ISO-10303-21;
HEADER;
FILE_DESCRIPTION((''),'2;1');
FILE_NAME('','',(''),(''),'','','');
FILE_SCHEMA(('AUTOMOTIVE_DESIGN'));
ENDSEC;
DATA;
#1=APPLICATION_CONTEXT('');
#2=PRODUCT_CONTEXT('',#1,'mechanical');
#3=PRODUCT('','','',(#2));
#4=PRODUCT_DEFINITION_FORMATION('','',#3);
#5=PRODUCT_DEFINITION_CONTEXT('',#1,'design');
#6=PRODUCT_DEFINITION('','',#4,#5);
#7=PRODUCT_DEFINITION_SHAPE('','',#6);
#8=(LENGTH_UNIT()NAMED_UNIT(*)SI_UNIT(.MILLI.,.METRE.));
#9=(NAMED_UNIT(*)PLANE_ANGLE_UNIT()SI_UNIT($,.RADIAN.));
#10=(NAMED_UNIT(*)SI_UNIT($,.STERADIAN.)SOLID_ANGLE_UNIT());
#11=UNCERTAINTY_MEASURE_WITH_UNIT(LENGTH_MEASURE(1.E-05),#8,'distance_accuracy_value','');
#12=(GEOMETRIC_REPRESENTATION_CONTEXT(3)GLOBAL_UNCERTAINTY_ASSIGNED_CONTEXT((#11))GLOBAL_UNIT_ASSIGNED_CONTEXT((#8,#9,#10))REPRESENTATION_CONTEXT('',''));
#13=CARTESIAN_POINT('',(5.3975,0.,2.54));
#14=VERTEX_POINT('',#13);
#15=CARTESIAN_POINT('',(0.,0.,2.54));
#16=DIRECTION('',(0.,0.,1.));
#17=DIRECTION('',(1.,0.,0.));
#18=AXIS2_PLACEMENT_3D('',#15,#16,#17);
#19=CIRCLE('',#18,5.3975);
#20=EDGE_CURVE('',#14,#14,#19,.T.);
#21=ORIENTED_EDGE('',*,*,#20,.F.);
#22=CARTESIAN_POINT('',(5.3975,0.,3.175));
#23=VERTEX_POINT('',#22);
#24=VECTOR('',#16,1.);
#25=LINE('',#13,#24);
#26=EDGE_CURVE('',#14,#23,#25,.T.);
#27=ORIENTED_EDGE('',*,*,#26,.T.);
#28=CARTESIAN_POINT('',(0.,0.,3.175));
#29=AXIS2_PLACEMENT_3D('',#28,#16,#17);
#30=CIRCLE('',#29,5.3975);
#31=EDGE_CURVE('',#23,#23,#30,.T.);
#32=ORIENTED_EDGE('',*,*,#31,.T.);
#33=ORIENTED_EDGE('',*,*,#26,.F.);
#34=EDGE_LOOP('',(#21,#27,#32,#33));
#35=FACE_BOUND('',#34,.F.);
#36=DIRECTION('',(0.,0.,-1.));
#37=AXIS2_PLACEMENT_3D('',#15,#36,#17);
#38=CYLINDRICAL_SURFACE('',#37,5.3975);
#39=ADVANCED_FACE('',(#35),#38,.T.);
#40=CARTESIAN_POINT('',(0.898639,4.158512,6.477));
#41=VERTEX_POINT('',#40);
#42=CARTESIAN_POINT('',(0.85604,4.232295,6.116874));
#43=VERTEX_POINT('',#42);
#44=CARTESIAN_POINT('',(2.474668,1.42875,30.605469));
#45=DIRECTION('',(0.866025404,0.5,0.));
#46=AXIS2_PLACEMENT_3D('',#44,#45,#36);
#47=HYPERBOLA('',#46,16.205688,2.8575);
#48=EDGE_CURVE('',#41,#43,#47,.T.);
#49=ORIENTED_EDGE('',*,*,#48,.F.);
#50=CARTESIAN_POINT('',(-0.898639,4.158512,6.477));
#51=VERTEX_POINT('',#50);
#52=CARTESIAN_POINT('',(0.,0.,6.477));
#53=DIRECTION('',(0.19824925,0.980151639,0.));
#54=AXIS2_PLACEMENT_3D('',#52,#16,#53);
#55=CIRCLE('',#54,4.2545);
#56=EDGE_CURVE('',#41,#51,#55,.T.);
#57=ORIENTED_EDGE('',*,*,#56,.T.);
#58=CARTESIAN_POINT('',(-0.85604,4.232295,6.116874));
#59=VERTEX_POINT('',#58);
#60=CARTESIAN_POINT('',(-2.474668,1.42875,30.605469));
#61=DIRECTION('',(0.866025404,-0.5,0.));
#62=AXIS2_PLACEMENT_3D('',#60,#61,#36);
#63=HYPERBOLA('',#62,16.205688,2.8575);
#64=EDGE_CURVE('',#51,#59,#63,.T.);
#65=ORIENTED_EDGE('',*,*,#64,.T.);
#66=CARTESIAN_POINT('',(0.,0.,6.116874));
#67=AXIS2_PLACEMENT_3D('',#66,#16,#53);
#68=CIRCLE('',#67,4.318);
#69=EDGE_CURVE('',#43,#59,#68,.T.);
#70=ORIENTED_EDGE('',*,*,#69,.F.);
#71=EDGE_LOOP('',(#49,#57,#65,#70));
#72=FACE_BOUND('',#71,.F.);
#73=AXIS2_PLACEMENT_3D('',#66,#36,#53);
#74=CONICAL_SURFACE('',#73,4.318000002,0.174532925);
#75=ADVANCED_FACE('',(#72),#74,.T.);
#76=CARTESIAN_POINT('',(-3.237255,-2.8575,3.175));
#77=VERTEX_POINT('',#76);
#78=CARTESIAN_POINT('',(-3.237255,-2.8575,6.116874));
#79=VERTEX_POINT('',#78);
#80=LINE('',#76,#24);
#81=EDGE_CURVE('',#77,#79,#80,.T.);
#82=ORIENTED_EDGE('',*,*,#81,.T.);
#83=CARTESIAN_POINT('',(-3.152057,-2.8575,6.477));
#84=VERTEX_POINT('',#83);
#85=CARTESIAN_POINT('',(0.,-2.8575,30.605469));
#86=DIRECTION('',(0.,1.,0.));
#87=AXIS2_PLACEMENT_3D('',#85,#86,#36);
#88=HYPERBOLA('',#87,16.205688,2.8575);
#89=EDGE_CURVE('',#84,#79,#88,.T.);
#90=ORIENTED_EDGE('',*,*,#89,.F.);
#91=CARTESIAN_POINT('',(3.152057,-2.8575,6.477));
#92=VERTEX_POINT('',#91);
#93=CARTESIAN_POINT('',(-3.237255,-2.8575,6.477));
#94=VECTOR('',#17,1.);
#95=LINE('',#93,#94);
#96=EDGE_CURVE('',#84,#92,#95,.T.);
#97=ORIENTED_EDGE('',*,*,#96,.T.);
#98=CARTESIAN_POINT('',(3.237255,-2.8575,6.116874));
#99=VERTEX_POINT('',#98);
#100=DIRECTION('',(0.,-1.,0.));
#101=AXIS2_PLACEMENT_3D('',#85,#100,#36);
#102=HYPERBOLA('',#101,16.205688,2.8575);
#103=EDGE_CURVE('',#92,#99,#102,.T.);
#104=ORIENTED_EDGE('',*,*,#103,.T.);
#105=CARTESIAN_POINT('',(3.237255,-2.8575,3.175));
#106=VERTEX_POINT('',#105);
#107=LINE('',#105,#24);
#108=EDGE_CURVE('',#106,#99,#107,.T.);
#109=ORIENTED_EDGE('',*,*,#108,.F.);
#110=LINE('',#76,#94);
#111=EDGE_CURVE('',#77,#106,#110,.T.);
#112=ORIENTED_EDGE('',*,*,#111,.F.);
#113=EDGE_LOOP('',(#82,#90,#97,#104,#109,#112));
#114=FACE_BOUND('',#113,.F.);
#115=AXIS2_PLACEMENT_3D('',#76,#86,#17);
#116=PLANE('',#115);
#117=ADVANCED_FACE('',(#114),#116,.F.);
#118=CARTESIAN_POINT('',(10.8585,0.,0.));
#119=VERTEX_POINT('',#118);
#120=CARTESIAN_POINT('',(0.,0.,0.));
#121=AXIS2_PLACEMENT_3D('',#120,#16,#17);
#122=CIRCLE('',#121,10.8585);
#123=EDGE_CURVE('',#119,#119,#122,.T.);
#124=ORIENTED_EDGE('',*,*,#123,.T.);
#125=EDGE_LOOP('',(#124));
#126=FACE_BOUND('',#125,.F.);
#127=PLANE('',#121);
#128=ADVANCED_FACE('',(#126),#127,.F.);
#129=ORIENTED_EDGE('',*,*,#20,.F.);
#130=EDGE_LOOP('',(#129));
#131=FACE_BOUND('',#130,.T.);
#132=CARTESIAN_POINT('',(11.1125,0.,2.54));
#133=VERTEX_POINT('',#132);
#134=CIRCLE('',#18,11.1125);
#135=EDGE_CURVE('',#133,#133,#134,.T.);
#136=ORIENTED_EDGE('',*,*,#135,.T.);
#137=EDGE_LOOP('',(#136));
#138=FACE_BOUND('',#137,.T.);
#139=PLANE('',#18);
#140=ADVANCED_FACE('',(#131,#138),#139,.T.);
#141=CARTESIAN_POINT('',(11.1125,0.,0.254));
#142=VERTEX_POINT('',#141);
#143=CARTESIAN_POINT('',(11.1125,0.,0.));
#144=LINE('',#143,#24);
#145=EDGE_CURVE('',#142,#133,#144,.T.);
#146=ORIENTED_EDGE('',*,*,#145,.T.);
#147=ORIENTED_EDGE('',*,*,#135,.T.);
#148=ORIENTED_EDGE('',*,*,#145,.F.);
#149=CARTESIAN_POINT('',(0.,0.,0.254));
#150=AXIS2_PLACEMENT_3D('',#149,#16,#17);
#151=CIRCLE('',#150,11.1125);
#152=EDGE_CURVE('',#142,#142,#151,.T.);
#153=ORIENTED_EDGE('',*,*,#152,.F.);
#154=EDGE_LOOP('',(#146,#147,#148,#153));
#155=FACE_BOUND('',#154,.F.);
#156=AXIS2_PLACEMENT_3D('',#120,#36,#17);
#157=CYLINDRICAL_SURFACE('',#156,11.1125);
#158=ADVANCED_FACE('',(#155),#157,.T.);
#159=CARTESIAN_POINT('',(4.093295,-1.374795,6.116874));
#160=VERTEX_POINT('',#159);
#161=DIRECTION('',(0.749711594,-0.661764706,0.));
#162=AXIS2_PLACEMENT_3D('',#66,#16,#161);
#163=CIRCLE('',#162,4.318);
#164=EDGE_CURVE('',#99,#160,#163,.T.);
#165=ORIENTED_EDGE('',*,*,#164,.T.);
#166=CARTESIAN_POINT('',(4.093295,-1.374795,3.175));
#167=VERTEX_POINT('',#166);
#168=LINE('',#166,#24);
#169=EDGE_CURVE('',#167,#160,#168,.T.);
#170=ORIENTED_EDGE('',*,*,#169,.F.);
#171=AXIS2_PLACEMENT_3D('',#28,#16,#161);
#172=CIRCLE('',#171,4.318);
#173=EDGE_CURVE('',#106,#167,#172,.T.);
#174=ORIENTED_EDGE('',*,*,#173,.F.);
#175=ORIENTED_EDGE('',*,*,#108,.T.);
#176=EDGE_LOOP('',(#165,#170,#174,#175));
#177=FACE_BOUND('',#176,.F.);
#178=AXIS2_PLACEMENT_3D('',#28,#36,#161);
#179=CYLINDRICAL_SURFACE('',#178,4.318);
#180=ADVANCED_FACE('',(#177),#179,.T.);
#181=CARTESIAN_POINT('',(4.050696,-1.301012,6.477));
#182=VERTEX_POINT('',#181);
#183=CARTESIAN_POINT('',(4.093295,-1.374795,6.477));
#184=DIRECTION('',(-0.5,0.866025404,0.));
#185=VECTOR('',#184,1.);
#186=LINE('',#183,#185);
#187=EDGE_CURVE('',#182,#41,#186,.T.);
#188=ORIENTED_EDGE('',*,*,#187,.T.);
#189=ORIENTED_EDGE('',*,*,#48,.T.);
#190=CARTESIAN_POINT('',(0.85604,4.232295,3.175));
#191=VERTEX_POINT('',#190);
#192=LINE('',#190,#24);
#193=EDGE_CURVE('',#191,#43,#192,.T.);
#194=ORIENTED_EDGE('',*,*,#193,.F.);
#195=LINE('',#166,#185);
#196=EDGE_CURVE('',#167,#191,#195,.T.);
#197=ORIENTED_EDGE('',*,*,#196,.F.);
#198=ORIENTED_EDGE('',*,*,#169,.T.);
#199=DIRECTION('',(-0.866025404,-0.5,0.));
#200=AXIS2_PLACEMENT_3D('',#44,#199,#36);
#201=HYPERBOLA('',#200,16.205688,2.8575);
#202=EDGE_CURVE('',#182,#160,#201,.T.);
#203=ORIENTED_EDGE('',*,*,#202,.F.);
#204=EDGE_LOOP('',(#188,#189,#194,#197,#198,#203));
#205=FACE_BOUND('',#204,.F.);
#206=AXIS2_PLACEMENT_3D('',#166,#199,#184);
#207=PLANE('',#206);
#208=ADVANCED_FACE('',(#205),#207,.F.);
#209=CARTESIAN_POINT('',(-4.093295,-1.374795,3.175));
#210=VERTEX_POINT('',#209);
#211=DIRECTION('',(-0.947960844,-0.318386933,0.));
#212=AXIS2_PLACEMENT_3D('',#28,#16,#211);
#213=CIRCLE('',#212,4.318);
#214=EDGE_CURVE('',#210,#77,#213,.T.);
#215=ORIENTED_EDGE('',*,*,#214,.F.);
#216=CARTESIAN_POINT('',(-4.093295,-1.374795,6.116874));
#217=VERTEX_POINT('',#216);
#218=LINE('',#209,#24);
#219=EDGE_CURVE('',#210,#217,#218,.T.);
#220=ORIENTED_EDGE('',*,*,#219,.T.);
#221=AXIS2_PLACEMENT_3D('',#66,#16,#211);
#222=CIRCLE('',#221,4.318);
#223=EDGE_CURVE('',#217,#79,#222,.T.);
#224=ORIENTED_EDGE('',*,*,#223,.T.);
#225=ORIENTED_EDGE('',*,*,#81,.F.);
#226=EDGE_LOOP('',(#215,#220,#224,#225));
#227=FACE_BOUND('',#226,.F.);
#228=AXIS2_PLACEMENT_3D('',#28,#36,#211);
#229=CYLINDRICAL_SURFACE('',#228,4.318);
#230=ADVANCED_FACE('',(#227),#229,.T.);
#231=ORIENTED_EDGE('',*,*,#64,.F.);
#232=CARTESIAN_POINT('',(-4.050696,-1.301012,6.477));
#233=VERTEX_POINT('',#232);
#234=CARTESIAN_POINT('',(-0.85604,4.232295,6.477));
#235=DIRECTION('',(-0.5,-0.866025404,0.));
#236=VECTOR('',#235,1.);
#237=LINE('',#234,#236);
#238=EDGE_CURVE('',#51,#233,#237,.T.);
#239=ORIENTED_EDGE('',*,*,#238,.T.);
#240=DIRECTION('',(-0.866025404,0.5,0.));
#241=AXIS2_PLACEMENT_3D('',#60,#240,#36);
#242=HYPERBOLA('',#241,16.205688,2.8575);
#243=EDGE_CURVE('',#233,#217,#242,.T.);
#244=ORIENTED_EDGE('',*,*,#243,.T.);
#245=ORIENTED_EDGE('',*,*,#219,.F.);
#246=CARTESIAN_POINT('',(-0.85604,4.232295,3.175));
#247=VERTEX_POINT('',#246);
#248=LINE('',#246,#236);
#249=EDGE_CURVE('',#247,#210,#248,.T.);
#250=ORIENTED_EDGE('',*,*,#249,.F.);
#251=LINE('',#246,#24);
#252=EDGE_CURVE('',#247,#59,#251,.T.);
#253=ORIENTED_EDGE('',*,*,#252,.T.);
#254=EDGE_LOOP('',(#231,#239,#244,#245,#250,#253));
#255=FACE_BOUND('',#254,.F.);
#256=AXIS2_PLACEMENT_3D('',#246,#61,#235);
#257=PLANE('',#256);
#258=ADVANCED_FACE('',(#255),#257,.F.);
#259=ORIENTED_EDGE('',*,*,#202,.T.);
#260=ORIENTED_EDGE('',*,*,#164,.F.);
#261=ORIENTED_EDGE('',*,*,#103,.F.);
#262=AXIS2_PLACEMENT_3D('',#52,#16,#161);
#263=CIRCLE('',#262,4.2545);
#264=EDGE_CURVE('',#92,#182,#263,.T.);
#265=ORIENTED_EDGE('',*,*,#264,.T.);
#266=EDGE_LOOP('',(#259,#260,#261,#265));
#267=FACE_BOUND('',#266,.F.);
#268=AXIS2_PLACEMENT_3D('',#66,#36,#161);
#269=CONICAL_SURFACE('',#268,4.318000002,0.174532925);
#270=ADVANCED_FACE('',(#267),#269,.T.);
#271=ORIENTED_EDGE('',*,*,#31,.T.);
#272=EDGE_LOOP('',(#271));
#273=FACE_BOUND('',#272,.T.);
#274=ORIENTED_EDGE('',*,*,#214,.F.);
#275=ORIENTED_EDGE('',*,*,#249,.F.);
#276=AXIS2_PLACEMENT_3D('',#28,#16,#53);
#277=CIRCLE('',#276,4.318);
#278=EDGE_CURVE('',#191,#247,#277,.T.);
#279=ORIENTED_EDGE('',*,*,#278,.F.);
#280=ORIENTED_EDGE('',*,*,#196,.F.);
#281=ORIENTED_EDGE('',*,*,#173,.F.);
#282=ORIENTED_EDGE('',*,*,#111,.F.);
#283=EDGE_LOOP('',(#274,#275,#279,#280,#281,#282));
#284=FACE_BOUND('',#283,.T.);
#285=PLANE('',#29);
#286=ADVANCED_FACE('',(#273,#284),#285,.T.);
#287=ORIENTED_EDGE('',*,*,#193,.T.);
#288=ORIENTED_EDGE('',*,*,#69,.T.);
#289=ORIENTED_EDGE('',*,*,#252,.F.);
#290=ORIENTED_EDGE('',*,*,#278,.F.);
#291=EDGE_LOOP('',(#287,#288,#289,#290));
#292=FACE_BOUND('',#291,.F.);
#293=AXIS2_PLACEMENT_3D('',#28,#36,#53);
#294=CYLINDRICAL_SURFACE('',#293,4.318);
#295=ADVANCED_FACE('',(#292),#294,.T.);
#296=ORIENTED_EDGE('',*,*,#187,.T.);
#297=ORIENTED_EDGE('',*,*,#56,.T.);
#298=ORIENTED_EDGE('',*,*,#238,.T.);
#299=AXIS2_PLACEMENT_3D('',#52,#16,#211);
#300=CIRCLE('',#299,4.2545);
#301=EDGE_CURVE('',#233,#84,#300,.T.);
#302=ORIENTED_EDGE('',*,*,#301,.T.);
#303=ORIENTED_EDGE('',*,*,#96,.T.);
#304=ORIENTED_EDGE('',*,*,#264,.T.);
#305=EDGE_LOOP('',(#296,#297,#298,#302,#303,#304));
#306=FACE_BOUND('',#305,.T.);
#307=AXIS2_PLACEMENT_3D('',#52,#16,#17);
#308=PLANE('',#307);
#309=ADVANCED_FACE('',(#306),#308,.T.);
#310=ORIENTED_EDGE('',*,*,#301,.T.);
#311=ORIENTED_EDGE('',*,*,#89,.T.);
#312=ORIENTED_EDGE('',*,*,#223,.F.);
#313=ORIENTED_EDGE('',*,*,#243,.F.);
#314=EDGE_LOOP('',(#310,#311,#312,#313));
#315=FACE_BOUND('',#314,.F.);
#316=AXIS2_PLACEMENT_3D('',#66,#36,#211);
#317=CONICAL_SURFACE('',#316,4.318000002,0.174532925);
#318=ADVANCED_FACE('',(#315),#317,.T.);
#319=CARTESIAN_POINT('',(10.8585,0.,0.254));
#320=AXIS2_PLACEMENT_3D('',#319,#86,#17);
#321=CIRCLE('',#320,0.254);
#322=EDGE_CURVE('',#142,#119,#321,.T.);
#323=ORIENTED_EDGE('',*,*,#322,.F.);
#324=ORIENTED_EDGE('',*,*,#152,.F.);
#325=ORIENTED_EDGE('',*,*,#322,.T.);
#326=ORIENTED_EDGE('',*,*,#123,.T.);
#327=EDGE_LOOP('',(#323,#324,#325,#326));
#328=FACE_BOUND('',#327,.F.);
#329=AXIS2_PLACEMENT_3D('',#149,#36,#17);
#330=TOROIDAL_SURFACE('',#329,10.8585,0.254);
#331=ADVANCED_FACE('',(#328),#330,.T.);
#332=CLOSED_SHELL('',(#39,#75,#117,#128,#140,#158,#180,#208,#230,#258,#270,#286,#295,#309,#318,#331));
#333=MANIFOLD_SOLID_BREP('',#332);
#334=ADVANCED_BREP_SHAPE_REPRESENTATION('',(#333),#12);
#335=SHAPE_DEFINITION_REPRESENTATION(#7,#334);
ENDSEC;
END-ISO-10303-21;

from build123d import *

# Parameters (mm, degrees)
F0_R     = 11.1125
F1_DEPTH = 2.54
F2_R     = 5.3975
F3_DEPTH = 0.635
F5_DEPTH = 3.302
F6_SIZE2 = 0.3601263955
F6_SIZE  = 0.0635
F7_R     = 0.254


with BuildPart() as f1:
    # F0 (on Top) → F1 (new body)
    with BuildSketch(Plane.XY):
        Circle(F0_R)
    extrude(amount=F1_DEPTH)

    # F2 (on face) → F3 (join)
    with BuildSketch(Plane.XY.offset(2.54)):
        Circle(F2_R)
    extrude(amount=F3_DEPTH)

    # F4 (on face) → F5 (join)
    with BuildSketch(Plane.XY.offset(3.175)):
        with BuildLine():
            Line((-0.8560402601, 4.2322947763), (-4.0932949226, -1.3747947763))
            ThreePointArc((-4.0932949226, -1.3747947763), (-3.7394976935, -2.159), (-3.2372546625, -2.8575))
            Line((-3.2372546625, -2.8575), (3.2372546625, -2.8575))
            ThreePointArc((3.2372546625, -2.8575), (3.7394976935, -2.159), (4.0932949226, -1.3747947763))
            Line((4.0932949226, -1.3747947763), (0.8560402601, 4.2322947763))
            ThreePointArc((0.8560402601, 4.2322947763), (0, 4.318), (-0.8560402601, 4.2322947763))
        make_face()
    extrude(amount=F5_DEPTH)

    # F6
    f6_edges = [f1.edges().sort_by_distance(p)[0] for p in [
        (3.739498, -2.159, 6.477),
        (-3.739498, -2.159, 6.477),
        (0, 4.318, 6.477),
    ]]
    f6_side = f1.faces().sort_by_distance((0, 0, 6.477))[0]
    chamfer(f6_edges, length=F6_SIZE, length2=F6_SIZE2, reference=f6_side)

    # F7
    f7_edges = [f1.edges().sort_by_distance(p)[0] for p in [
        (-11.1125, 0, 0),
    ]]
    fillet(f7_edges, radius=F7_R)


solid = f1.part
